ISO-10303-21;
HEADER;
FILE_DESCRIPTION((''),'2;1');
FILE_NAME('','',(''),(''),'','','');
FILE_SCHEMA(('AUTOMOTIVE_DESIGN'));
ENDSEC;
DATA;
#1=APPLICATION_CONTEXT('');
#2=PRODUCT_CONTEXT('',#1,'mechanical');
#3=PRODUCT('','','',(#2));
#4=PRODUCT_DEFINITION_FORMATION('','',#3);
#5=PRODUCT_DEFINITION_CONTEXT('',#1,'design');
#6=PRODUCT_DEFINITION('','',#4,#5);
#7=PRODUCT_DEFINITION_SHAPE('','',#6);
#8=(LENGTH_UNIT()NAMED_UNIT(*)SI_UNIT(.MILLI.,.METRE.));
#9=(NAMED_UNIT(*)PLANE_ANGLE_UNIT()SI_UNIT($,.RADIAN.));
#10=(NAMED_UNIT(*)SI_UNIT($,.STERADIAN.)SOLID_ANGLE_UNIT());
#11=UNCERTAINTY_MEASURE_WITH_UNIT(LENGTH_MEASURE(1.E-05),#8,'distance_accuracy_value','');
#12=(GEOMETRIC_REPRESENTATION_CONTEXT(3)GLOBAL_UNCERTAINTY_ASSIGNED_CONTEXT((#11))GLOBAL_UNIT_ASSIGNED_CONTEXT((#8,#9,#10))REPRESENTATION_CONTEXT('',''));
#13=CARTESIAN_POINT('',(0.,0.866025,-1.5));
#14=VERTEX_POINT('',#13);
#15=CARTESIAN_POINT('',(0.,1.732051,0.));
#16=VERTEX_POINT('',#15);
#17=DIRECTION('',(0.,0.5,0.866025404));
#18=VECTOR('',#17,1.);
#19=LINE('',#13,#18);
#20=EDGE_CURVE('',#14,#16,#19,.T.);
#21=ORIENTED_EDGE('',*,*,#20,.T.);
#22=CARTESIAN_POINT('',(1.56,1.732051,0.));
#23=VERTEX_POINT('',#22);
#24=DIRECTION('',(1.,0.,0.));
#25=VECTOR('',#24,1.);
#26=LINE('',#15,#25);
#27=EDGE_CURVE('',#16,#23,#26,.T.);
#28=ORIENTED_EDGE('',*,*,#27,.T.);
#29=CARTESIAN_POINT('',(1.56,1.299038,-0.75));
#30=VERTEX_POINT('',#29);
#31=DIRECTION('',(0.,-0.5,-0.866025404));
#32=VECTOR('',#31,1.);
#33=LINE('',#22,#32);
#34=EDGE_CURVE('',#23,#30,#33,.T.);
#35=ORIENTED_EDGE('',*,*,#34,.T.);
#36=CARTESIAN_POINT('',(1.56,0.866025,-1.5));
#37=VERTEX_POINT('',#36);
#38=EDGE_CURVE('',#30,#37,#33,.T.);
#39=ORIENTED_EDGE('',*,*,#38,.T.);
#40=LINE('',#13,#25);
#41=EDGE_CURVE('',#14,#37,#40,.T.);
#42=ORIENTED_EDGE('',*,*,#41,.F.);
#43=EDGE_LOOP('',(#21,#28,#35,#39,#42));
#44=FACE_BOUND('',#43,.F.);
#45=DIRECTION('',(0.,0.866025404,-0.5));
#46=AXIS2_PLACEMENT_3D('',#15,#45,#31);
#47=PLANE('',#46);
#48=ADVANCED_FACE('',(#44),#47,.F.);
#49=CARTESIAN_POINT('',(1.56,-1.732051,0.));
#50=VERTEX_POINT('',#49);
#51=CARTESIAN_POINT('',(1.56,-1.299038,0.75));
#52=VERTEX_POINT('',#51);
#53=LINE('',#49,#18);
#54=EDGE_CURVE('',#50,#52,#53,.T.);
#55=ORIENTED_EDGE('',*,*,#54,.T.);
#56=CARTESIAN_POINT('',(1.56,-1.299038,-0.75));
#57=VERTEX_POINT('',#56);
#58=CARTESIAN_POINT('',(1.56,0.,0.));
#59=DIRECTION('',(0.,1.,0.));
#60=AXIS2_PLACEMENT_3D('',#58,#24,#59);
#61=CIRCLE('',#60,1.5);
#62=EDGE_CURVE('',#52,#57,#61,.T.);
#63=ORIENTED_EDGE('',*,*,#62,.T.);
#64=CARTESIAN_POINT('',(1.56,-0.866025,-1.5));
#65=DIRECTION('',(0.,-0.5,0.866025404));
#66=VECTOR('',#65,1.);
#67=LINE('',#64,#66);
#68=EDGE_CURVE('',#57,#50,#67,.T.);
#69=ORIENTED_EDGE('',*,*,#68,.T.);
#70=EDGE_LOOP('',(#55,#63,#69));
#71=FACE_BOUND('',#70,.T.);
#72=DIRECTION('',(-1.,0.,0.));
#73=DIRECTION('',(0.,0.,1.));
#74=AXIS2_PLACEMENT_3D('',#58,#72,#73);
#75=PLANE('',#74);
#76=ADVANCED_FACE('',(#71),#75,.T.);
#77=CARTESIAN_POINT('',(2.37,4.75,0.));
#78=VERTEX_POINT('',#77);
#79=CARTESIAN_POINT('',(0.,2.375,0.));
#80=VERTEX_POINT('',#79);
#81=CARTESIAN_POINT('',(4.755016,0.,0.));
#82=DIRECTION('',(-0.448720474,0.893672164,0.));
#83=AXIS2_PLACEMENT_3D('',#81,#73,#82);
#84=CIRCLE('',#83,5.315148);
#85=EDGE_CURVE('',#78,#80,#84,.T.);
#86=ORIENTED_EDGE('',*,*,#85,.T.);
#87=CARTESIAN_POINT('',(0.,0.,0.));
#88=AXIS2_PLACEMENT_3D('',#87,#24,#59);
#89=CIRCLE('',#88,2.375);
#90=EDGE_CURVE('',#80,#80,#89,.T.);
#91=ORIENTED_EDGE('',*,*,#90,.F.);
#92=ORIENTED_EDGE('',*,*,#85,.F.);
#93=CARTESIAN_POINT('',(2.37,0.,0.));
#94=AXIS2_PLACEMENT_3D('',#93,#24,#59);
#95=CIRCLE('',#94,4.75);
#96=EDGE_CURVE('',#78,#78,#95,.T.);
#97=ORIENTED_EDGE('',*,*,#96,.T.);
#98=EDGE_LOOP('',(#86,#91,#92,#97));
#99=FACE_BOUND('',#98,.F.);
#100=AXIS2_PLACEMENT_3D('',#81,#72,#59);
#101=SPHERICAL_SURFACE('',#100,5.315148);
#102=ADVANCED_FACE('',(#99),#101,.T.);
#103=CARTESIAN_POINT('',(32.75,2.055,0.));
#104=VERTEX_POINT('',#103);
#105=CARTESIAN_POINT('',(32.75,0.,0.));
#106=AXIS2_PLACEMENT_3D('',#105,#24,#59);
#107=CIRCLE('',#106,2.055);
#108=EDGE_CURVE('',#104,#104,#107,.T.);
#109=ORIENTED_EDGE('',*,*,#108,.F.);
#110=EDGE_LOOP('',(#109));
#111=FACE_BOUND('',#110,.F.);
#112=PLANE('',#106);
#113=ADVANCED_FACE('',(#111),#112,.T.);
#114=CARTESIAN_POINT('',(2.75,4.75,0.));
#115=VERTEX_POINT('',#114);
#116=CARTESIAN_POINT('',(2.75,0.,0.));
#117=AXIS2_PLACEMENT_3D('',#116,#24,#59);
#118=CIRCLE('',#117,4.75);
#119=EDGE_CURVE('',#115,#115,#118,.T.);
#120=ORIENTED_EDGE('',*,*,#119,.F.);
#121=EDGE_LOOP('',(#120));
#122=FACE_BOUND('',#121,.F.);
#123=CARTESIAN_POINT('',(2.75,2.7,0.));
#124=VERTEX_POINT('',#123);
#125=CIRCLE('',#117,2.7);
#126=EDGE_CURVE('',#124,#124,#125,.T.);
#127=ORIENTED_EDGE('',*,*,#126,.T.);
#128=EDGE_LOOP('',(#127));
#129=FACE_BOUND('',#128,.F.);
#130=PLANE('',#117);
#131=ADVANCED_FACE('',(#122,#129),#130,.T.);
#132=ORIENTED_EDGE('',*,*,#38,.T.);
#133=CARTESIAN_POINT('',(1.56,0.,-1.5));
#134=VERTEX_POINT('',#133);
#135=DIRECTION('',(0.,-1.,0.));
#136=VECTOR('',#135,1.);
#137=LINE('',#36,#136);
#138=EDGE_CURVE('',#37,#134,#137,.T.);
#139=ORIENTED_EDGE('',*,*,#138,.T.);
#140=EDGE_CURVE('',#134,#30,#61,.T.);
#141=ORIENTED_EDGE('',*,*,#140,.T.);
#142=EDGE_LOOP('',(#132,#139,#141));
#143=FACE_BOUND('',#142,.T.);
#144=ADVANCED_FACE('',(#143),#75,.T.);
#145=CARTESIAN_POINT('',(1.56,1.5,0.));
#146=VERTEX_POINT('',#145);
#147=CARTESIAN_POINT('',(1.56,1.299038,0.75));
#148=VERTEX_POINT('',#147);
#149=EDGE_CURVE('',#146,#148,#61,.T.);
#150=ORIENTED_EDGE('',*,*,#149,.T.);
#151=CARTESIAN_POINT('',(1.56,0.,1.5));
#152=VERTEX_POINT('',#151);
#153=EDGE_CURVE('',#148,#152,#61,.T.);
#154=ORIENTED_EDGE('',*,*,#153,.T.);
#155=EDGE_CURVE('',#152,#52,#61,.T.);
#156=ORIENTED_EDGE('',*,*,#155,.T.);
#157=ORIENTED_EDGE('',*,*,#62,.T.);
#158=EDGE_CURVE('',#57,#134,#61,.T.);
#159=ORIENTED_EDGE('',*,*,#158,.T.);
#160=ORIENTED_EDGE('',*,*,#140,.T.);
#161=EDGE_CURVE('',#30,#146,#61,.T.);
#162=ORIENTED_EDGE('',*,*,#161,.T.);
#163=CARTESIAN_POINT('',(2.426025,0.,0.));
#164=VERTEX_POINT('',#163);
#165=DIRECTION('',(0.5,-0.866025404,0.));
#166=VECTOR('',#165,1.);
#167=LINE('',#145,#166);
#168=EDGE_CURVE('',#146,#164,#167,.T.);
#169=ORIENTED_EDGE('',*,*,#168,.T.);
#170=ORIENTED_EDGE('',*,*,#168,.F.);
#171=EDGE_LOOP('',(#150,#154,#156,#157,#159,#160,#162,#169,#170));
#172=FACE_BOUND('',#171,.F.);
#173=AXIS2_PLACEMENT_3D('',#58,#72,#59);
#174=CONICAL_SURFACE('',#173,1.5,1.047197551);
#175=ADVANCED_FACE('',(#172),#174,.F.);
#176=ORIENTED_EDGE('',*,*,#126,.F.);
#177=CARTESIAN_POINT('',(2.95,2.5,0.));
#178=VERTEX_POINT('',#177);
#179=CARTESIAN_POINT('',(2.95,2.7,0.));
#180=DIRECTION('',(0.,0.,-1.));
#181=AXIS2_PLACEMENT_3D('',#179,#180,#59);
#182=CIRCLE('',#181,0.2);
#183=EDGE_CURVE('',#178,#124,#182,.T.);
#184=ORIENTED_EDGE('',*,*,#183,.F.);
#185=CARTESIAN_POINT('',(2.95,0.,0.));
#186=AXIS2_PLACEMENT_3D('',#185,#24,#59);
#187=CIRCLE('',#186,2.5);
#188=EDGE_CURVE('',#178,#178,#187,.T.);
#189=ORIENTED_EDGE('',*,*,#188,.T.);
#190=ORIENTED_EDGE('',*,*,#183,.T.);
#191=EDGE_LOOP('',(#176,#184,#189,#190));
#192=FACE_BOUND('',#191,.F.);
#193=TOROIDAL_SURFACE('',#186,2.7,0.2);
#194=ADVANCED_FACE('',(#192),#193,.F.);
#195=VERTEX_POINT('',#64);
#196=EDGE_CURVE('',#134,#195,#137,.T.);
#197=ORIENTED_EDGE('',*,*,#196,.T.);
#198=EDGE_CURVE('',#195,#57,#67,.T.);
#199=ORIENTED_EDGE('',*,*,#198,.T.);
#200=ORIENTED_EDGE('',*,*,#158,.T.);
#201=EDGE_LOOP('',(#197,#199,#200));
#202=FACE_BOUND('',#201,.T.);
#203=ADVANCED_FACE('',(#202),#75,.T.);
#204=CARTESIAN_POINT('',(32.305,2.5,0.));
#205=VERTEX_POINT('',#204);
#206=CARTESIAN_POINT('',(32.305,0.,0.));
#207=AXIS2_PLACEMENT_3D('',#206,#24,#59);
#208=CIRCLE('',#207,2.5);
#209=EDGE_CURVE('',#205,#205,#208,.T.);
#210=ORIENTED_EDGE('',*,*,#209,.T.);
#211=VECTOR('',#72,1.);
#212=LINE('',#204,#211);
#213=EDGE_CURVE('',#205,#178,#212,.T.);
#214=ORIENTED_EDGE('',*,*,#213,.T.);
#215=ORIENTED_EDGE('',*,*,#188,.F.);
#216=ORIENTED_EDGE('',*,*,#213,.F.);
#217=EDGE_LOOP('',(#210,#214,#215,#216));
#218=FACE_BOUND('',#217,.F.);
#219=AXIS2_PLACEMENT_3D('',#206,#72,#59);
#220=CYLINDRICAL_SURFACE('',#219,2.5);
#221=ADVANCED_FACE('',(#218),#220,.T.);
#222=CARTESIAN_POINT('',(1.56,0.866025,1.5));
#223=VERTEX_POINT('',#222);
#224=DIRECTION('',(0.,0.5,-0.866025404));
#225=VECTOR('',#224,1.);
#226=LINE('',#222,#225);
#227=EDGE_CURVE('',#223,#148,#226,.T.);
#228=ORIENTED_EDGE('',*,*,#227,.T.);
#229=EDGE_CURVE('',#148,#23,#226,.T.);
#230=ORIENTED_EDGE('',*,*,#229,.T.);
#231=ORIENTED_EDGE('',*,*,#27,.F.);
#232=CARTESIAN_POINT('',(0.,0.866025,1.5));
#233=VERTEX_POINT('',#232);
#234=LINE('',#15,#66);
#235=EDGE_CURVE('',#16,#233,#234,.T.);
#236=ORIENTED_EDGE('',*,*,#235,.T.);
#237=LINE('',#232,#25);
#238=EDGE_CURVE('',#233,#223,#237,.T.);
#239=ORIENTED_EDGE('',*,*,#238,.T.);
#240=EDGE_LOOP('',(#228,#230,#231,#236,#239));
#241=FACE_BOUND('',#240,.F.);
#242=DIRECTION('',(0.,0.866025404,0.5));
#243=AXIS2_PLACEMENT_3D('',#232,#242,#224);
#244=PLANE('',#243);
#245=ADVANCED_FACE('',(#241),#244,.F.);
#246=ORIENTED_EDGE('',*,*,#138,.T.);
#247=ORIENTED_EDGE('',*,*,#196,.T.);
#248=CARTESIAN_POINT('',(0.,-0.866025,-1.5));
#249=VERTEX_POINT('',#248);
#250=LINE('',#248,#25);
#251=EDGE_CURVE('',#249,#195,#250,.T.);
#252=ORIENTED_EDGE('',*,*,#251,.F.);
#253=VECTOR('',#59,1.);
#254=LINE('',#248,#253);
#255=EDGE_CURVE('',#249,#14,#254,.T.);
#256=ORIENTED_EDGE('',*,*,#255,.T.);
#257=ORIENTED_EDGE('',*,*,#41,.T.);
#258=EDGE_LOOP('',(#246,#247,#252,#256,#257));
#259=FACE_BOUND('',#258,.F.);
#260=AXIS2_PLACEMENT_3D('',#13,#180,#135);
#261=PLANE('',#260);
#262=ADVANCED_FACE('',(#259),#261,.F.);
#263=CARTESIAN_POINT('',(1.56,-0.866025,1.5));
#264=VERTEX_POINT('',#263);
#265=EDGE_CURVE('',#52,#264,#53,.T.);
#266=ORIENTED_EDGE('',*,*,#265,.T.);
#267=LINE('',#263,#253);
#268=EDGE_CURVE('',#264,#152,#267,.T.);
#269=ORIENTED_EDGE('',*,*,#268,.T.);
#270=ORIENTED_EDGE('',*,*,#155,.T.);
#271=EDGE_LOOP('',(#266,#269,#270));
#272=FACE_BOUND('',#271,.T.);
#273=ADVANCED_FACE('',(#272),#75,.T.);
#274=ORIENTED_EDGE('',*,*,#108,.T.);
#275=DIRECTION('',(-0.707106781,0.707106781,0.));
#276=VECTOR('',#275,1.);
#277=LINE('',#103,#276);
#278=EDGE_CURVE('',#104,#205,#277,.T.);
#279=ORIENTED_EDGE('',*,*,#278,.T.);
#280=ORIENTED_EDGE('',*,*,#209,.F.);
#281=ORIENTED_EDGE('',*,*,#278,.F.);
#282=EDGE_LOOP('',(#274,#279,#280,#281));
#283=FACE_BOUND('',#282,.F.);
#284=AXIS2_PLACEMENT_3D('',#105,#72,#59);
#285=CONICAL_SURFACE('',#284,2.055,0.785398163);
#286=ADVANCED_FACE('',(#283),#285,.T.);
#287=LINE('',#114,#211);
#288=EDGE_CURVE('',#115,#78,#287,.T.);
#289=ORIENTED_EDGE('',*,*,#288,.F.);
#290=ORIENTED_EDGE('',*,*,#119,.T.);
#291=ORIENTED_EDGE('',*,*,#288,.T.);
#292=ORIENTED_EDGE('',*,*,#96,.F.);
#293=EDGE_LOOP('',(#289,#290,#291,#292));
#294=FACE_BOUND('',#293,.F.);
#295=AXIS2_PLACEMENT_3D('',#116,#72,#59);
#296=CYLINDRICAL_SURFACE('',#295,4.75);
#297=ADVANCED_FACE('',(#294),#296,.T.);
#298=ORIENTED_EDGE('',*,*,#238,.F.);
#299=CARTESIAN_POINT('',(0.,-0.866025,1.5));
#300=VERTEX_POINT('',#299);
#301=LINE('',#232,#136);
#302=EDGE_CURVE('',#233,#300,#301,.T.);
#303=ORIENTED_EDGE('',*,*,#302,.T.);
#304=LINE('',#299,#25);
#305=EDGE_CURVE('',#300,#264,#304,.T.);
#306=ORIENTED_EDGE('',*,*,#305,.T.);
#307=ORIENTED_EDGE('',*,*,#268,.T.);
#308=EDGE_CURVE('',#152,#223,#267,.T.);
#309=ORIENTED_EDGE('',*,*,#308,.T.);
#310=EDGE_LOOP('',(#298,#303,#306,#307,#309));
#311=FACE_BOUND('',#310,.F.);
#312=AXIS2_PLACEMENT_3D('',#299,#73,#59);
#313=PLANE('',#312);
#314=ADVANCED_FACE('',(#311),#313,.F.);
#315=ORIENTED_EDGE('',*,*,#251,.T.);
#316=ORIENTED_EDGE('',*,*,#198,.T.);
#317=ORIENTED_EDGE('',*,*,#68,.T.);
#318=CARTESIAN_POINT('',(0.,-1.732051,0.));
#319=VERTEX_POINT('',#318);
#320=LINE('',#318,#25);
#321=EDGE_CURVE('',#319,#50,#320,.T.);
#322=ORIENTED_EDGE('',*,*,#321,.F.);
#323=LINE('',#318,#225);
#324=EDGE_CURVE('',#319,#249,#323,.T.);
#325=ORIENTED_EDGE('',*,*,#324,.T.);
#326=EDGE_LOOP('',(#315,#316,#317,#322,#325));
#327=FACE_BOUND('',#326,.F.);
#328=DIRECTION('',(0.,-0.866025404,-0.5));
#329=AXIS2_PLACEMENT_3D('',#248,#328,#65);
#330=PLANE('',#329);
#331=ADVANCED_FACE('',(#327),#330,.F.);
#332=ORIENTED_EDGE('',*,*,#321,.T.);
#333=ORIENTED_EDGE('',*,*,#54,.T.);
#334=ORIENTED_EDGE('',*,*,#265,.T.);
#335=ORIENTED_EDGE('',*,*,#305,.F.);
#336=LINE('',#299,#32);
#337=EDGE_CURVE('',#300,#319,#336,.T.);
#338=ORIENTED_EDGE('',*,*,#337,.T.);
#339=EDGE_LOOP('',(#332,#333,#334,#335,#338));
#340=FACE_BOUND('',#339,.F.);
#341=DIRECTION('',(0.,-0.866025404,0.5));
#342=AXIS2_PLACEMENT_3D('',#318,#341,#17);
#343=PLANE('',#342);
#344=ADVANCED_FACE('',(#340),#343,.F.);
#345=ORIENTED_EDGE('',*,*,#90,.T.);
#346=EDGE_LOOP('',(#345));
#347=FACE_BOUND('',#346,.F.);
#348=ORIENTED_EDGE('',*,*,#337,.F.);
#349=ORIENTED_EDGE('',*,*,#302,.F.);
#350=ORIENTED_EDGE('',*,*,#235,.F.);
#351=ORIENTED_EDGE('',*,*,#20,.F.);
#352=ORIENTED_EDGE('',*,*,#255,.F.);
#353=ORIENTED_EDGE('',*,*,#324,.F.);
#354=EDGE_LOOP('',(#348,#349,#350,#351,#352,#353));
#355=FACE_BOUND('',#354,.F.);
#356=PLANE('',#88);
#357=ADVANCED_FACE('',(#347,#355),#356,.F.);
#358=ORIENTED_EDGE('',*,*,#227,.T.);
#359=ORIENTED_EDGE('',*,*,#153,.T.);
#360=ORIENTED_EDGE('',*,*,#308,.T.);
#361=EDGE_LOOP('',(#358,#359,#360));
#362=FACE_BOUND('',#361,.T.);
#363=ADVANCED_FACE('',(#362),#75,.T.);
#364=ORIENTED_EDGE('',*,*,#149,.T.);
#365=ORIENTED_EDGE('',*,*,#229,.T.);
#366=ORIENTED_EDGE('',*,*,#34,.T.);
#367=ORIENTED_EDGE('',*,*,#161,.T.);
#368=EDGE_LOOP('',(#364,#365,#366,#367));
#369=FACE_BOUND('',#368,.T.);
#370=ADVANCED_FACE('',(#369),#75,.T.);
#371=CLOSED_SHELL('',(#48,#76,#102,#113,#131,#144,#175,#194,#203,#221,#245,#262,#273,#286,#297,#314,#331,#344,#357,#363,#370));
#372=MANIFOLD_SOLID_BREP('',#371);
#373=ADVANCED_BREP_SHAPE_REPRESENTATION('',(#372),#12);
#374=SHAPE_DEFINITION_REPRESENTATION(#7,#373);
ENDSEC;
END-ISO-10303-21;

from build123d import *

# Parameters (mm, degrees)
FILLET1_R   = 0.2
HEX_2_DEPTH = 1.56


with BuildPart() as part:
    # BodySke → BaseBody (revolve)
    with BuildSketch(Plane.XY):
        with BuildLine():
            Line((32.75, 0), (32.75, 2.055))
            Line((32.75, 2.055), (32.305, 2.5))
            Line((32.305, 2.5), (2.75, 2.5))
            Line((2.75, 2.5), (2.75, 4.75))
            Line((2.75, 4.75), (2.37, 4.75))
            ThreePointArc((2.37, 4.75), (0.992680215, 3.754414901), (0, 2.375))
            Line((0, 2.375), (0, 0))
            Line((0, 0), (32.75, 0))
        make_face()
    revolve(axis=Axis((0, 0, 0), (1, 0, 0)))

    # Fillet1
    fillet1_edges = [part.edges().sort_by_distance(p)[0] for p in [
        (2.75, -2.5, 0),
    ]]
    fillet(fillet1_edges, radius=FILLET1_R)

    # Sketch2 → PreBroach (revolve, cut)
    with BuildSketch(Plane.XY):
        Polygon((0, 1.5), (1.56, 1.5), (2.426025404, 0), (0, 0), align=None)
    revolve(axis=Axis((0, 0, 0), (1, 0, 0)), mode=Mode.SUBTRACT)

    # Sketch3 → Hex 2 (cut)
    with BuildSketch(Plane(origin=(0, 0, 0), x_dir=(0, 0, -1), z_dir=(1, 0, 0))):
        Polygon((-1.5, -0.866025404), (-1.5, 0.866025404), (0, 1.732050808), (1.5, 0.866025404), (1.5, -0.866025404), (0, -1.732050808), align=None)
    extrude(amount=HEX_2_DEPTH, mode=Mode.SUBTRACT)


solid = part.part
